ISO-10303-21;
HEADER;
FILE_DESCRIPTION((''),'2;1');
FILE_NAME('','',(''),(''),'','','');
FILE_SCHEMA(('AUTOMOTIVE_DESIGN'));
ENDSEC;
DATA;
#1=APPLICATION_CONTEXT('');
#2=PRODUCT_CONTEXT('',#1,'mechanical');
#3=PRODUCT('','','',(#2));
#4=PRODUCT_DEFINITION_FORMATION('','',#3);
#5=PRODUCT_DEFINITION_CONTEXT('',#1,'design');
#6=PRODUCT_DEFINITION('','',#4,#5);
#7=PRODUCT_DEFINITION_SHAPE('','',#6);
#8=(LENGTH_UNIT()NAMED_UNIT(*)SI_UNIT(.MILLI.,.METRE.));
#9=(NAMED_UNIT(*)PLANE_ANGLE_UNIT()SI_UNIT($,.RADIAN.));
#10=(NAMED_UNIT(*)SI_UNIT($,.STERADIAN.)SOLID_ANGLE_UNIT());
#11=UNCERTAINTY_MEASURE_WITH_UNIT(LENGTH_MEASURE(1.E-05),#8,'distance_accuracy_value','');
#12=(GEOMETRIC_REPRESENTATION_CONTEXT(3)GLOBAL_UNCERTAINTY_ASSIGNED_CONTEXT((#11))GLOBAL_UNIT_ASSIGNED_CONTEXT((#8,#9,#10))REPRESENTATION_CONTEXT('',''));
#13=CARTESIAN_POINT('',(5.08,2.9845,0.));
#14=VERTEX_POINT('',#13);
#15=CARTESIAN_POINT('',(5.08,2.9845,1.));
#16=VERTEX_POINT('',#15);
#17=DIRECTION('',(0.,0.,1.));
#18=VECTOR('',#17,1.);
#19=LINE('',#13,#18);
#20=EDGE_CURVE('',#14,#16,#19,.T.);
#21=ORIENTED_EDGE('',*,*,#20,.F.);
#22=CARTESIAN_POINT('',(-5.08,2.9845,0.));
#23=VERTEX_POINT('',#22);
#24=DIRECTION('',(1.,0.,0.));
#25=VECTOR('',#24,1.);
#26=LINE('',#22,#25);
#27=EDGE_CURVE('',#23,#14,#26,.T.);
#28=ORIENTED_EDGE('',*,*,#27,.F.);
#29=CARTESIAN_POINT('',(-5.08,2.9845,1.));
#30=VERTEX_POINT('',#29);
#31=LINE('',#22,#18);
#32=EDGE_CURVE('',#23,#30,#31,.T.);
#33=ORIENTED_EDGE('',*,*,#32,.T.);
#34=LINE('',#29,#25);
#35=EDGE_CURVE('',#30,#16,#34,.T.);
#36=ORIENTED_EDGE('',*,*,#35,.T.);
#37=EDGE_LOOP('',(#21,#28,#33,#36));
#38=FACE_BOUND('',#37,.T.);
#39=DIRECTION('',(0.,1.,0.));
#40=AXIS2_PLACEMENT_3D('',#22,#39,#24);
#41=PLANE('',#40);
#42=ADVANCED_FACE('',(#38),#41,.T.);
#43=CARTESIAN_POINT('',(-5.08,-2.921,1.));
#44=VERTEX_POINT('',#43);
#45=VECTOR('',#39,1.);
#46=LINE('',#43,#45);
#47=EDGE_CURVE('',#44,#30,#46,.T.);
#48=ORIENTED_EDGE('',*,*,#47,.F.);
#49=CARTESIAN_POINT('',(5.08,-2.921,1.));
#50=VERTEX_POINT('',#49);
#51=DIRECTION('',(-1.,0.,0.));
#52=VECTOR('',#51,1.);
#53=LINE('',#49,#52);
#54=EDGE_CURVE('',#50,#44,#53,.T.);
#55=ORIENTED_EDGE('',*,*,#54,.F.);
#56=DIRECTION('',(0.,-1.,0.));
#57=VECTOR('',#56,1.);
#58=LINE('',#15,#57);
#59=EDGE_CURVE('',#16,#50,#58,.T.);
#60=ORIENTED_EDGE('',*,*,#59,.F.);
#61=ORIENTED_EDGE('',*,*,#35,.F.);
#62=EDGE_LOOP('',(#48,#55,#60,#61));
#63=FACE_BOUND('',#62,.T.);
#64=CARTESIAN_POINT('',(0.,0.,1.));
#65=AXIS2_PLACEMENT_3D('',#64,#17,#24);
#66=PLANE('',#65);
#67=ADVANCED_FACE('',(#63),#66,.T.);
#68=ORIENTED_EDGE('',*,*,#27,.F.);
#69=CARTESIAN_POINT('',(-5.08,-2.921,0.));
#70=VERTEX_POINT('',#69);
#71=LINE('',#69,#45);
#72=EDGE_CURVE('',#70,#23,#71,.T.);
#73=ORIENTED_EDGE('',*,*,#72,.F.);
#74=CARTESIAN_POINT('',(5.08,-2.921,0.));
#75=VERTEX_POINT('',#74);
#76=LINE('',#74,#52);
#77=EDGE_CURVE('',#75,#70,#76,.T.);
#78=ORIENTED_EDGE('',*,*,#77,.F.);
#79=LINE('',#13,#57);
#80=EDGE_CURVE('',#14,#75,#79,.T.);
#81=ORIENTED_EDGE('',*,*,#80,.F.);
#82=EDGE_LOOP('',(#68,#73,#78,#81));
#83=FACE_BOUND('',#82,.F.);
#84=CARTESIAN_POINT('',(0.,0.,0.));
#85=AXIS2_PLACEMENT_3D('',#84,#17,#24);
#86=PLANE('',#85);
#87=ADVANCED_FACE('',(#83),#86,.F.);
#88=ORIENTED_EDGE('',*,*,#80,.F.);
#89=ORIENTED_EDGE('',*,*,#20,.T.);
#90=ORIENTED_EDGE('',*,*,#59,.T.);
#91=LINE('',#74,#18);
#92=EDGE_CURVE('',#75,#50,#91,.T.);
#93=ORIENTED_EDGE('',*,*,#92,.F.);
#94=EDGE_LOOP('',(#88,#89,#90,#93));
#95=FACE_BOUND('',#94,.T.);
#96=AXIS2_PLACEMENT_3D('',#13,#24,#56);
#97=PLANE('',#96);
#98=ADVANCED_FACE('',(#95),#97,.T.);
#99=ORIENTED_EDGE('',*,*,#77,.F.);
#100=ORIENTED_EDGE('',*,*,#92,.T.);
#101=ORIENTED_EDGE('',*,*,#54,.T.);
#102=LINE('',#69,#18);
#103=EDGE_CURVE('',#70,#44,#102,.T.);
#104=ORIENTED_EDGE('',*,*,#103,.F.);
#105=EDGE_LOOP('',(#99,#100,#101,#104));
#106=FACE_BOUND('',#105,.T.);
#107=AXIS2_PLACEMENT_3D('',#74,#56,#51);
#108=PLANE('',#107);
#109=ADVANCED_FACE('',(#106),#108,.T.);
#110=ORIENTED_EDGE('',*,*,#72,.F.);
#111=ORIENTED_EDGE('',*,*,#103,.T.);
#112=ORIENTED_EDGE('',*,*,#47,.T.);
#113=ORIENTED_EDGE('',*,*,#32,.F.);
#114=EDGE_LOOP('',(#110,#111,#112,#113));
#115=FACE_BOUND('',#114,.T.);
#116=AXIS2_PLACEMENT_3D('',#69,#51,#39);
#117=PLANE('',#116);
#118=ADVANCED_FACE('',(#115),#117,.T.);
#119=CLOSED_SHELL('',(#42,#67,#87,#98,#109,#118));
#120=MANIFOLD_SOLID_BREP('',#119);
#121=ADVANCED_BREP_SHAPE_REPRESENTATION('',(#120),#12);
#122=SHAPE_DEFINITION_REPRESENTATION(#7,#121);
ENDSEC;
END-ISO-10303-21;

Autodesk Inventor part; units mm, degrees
ref_plane "YZ Plane" through (0, 0, 0) normal (1, 0, 0) x (0, 1, 0)
ref_plane "XZ Plane" through (0, 0, 0) normal (0, 1, 0) x (-1, 0, 0)
ref_plane "XY Plane" through (0, 0, 0) normal (0, 0, 1) x (1, 0, 0)
sketch "6410-04, I2C_DATA_B1_B0_37" plane through (0, 0, 0) normal (0, 0, 1) x (1, 0, 0)
  line L0 (-5.08, 2.9845) -> (5.08, 2.9845)
  line L1 (5.08, 2.9845) -> (5.08, -2.921)
  line L2 (5.08, -2.921) -> (-5.08, -2.921)
  line L3 (-5.08, -2.921) -> (-5.08, 2.9845)
extrude "Extrusion1" add sketch "6410-04, I2C_DATA_B1_B0_37" along normal blind 1
properties part number "I2C_DATA_B1_B0"
